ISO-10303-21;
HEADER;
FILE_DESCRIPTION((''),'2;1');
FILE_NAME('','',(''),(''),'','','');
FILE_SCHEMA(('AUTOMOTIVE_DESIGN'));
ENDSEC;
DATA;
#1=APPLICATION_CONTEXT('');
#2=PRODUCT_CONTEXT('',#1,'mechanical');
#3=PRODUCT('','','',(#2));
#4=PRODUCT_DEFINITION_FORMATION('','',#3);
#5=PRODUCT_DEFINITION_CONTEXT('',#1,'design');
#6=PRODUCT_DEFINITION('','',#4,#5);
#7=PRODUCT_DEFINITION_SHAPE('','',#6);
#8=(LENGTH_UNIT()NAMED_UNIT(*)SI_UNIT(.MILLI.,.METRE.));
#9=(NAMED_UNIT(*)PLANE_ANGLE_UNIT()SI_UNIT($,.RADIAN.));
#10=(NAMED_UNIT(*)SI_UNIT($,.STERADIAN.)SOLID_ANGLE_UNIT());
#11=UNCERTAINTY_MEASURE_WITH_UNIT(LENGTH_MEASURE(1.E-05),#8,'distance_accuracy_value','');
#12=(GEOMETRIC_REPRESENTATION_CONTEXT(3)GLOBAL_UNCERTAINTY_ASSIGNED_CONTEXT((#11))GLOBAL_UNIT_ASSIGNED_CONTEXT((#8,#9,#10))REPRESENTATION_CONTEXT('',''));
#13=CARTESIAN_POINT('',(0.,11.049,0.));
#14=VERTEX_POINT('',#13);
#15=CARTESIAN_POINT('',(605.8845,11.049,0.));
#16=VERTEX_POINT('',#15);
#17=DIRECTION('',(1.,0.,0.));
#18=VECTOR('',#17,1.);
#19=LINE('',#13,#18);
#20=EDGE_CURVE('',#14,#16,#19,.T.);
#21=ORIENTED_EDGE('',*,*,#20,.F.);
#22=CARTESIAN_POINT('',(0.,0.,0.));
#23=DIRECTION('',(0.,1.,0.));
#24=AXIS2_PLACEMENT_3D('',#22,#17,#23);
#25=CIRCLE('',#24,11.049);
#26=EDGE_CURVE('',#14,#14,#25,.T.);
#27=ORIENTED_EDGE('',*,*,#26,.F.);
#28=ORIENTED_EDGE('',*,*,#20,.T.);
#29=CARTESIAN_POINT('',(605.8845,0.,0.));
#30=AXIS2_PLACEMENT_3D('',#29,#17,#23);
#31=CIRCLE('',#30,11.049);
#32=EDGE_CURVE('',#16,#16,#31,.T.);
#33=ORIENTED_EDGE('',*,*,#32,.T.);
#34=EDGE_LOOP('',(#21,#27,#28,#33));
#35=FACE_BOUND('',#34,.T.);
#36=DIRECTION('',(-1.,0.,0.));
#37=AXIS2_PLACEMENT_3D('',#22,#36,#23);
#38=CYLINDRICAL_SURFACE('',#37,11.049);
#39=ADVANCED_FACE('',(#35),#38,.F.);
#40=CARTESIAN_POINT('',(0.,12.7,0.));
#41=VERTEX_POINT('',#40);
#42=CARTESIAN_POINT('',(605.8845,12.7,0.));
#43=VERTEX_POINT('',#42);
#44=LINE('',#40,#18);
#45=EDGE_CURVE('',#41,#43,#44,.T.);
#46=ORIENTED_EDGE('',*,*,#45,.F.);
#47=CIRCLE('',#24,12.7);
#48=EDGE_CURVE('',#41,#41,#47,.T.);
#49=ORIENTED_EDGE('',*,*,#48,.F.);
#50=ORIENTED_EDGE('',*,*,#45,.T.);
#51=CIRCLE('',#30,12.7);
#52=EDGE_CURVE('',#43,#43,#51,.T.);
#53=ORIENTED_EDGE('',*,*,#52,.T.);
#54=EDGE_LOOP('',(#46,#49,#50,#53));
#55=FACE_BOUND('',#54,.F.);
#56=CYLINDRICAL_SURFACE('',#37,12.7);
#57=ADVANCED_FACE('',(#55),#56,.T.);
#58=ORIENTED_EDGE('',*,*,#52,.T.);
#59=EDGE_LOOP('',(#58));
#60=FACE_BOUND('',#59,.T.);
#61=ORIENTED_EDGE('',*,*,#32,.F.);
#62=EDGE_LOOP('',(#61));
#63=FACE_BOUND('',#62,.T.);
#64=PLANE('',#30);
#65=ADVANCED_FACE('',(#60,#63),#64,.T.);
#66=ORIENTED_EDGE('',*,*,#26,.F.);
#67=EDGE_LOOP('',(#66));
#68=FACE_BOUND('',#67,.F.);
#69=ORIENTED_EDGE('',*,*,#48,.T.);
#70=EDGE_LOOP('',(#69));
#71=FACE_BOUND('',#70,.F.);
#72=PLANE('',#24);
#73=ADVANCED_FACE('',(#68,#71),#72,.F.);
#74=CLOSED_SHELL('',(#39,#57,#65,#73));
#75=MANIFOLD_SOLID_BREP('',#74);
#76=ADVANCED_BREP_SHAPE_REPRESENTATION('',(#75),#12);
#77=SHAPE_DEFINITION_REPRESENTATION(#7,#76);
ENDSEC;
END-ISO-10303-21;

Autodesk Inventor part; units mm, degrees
ref_plane "XZ Plane" through (0, 0, 0) normal (0, 1, 0) x (-1, 0, 0)
ref_plane "Start Plane" through (0, 0, 0) normal (1, 0, 0) x (0, 1, 0)
ref_plane "End Plane" through (605.8845, 0, 0) normal (1, 0, 0) x (0, 1, 0)
sketch "Sketch" plane through (0, 0, 0) normal (1, 0, 0) x (0, 1, 0)
  circle A0 centre (0, 0) radius 12.7
  circle A1 centre (0, 0) radius 11.049
  dimension "d0" = 25.4
  dimension "d1" = 1.651
extrude "Body" add sketch "Sketch" along normal up to surface (605.8845 mm away) from surface at 0
sketch "Sketch2" plane through (0, 0, 0) normal (1, 0, 0) x (0, 1, 0)
  line L0 (0, 0) -> (10, 0)
ref_plane "Work Plane3" through (0, 0, 0) normal (0, 0, -1) x (0, 1, 0)
sketch "Sketch3" plane through (0, 0, 0) normal (0, 0, -1) x (0, 1, 0)
  line L0 (-2, 0) -> (12, 0)
  line L1 (-2, 605.8845) -> (12, 605.8845)
  dimension "d9" = 605.8845
equation "\"G_OFFSET_START\" = 0"
equation "\"G_OFFSET_END\" = 0"
equation "\"d5\" = d2 + G_OFFSET_END"
equation "\"G_L\" = d9"
equation "\"d2\" = 605.88451"
properties part number "4130_1x0.065" material "Steel, Alloy"
